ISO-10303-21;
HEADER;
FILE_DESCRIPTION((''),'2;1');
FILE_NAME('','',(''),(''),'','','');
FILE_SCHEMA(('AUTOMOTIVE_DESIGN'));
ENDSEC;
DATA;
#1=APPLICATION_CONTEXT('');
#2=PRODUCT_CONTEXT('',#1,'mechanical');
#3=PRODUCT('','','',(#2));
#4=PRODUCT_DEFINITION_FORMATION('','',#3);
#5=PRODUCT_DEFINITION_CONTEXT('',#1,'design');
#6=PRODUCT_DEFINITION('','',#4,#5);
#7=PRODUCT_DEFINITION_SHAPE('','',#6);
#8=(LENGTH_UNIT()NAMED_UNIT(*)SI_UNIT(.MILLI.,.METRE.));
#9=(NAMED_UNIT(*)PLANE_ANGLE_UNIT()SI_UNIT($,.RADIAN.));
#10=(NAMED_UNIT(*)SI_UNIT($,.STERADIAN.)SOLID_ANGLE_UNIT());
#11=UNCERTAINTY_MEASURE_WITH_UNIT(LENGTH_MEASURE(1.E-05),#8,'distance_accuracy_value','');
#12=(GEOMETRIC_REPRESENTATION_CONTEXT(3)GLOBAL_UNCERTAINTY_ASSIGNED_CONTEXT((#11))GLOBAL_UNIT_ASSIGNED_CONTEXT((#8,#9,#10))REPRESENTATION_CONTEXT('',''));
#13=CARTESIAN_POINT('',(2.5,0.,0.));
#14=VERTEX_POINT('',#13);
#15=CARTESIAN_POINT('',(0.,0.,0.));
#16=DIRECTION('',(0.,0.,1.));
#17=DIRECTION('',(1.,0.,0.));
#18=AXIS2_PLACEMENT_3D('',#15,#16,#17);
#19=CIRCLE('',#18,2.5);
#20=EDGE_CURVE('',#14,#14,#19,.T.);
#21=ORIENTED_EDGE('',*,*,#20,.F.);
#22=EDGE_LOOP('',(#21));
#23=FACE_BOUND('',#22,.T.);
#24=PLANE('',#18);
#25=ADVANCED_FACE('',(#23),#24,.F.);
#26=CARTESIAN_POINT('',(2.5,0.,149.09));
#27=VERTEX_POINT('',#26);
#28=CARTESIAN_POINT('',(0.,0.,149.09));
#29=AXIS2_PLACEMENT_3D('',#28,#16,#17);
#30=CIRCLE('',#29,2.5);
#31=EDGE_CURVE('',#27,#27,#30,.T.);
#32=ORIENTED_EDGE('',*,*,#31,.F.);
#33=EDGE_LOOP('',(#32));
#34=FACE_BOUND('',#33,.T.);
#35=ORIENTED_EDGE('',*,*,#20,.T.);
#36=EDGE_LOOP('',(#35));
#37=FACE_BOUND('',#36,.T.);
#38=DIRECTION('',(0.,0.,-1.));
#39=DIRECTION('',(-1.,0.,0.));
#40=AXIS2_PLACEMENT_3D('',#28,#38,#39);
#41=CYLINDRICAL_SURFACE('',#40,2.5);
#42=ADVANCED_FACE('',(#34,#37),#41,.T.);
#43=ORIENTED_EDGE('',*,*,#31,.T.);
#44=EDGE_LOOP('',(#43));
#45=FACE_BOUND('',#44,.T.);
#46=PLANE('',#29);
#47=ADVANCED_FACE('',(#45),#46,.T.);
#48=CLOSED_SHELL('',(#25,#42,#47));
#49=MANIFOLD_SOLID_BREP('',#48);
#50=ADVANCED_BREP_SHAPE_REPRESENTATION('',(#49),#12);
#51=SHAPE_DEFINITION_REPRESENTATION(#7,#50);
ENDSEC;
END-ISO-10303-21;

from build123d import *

# Parameters (mm, degrees)
SKETCH_1_R      = 2.5
EXTRUDE_1_DEPTH = 149.09


with BuildPart() as part:
    # 草图1 → 凸台-拉伸1 (new body)
    with BuildSketch(Plane.XY):
        Circle(SKETCH_1_R)
    extrude(amount=EXTRUDE_1_DEPTH)


solid = part.part
